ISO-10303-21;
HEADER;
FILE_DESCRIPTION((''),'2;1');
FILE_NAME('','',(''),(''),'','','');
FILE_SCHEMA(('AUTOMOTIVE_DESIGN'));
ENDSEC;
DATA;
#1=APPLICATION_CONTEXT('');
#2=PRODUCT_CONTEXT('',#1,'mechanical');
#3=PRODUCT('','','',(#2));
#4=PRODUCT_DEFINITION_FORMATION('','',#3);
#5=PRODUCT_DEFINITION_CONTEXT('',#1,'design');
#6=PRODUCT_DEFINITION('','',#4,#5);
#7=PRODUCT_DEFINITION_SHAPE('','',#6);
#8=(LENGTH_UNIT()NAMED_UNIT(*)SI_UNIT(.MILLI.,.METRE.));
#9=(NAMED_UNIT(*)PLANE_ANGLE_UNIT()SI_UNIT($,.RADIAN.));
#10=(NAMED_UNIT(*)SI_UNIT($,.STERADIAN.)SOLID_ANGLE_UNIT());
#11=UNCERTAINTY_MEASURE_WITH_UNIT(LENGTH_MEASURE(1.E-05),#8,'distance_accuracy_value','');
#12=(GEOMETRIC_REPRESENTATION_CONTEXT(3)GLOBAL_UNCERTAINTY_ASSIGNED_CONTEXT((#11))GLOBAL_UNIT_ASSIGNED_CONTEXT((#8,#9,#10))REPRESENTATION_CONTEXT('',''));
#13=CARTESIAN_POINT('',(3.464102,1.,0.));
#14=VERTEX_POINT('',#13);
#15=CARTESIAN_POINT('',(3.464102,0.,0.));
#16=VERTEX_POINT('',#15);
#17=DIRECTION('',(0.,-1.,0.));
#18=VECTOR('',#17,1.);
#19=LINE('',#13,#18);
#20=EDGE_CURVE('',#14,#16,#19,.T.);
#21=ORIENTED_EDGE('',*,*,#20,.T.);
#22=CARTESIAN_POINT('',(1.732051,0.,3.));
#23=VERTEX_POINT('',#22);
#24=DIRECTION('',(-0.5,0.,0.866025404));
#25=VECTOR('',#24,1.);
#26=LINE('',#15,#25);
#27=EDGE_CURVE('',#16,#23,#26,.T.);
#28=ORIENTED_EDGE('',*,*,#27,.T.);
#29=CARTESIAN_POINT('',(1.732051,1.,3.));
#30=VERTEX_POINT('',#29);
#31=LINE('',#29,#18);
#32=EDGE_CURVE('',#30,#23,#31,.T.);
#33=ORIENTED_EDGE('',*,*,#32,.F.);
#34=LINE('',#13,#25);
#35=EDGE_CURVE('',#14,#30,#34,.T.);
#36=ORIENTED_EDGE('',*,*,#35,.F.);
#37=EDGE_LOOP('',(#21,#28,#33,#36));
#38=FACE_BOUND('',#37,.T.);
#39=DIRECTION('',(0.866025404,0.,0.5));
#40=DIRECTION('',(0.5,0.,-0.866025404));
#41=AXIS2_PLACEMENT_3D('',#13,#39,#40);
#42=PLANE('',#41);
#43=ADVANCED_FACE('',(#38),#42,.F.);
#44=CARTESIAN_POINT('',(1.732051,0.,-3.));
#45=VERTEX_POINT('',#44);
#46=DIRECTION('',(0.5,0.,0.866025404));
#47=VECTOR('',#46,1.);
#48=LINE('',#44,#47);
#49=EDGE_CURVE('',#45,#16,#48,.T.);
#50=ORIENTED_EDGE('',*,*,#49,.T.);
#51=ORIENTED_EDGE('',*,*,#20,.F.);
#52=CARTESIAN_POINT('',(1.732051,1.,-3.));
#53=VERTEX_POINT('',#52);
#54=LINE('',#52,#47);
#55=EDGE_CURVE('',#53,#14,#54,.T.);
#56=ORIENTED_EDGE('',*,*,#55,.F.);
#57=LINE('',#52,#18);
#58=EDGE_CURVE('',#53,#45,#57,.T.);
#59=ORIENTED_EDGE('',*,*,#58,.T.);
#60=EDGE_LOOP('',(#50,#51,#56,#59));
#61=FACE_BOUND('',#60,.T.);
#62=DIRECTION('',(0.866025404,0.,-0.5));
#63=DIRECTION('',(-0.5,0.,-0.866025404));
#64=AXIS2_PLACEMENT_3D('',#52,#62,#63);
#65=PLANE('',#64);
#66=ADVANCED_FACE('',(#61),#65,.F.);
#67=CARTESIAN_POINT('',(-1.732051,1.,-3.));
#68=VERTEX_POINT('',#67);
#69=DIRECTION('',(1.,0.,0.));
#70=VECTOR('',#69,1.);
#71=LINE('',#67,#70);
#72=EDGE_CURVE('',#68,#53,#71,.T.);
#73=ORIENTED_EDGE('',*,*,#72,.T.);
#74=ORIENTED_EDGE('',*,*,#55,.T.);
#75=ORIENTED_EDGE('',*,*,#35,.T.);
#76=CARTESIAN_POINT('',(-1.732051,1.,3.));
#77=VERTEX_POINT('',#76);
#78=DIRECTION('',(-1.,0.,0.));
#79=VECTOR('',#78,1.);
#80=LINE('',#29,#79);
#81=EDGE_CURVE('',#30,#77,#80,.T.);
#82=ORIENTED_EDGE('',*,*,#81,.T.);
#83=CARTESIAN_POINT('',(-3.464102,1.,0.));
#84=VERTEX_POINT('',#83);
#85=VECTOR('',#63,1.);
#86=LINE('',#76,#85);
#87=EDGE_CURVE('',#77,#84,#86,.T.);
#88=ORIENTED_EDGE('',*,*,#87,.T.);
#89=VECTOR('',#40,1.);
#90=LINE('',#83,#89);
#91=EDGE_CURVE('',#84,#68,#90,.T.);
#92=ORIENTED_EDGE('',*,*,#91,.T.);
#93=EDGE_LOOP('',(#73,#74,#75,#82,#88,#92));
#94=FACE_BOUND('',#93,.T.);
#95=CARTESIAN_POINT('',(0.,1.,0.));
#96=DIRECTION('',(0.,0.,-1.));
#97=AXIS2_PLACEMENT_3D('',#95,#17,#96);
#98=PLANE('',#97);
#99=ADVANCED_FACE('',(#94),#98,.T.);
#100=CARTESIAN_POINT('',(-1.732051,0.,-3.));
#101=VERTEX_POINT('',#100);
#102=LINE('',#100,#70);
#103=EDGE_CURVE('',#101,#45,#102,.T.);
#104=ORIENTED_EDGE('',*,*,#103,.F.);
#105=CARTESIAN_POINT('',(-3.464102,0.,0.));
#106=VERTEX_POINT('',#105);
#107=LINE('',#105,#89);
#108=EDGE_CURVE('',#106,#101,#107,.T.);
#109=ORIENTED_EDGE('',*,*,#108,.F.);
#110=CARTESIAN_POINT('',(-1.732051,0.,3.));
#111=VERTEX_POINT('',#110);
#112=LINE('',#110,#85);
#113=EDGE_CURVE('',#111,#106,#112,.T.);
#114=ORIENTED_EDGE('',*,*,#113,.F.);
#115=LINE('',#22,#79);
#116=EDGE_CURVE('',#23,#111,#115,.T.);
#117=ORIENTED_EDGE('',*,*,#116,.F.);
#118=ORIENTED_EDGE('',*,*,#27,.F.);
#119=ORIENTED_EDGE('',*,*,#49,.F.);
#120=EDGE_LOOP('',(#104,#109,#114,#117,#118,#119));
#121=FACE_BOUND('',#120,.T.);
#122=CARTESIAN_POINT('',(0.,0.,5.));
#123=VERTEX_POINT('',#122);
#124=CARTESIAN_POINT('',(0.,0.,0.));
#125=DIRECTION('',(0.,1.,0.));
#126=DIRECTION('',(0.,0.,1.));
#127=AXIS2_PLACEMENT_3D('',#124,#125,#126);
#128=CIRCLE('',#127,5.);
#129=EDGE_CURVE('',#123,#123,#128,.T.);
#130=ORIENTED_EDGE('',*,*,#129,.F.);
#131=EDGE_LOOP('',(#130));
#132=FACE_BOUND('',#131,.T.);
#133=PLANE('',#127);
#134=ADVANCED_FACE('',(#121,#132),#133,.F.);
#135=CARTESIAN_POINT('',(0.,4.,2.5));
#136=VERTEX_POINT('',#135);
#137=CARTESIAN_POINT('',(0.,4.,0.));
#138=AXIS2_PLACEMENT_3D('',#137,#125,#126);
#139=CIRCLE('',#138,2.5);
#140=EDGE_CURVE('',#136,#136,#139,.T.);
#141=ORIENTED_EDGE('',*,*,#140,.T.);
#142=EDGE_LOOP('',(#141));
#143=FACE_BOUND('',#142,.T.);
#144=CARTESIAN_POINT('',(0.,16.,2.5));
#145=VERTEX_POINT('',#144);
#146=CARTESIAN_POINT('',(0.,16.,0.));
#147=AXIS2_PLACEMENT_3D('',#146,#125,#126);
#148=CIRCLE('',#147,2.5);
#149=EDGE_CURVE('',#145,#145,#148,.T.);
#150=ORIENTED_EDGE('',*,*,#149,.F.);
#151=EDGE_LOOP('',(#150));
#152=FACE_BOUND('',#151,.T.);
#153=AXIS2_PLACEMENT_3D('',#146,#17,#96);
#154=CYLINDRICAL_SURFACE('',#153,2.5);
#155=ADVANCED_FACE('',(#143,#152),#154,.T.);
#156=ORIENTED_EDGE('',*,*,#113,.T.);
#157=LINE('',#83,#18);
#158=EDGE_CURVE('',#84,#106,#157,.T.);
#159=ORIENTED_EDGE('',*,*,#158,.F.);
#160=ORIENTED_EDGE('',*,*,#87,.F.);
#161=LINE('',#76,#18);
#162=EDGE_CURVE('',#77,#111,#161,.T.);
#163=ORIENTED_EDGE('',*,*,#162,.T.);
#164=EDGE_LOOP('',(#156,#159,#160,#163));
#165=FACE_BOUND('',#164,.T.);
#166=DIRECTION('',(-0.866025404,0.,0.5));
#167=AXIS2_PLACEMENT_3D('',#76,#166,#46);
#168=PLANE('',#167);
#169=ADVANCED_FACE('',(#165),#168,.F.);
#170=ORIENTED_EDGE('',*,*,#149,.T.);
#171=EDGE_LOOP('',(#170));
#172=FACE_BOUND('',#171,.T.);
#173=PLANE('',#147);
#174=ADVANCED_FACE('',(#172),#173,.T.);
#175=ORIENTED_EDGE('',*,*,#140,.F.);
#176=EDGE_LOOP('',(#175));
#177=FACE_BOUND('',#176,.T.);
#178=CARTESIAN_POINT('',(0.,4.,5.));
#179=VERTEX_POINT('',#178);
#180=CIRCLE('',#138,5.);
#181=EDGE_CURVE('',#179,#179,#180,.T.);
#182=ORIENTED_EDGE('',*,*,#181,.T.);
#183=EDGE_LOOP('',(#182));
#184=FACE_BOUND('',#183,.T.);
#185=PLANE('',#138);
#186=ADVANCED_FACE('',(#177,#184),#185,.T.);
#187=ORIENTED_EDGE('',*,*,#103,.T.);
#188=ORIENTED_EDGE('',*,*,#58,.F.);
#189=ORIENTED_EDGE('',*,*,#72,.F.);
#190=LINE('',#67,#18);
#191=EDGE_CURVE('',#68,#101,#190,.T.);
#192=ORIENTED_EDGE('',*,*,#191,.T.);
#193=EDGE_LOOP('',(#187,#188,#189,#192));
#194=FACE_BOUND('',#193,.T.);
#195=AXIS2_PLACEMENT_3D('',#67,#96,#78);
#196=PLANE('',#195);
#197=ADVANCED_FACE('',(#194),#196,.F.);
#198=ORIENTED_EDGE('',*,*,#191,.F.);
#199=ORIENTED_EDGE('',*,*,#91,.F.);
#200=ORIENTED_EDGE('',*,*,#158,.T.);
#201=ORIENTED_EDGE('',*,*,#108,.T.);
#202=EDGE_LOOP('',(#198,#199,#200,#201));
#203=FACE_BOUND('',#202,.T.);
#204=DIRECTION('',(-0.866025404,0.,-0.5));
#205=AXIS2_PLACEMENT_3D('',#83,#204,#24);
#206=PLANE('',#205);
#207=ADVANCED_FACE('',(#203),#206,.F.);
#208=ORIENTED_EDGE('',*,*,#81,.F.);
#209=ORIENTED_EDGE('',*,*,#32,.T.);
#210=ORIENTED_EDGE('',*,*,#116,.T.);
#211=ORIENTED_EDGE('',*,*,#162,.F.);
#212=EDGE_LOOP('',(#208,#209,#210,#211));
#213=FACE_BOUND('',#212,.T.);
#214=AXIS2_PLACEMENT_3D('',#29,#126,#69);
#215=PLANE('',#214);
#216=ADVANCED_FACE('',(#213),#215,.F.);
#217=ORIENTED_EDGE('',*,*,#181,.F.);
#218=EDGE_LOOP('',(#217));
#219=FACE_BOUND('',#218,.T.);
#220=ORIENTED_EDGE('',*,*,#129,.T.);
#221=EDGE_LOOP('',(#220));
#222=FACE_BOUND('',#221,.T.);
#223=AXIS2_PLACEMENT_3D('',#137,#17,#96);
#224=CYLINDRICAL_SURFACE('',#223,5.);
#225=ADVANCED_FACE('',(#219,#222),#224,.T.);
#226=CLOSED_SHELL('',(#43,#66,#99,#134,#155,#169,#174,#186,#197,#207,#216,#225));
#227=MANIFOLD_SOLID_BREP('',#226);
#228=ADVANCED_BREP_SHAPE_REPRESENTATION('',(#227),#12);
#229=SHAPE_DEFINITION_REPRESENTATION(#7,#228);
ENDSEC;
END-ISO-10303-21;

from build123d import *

# Parameters (mm, degrees)
SKETCH_1_R          = 5
EXTRUDE_1_DEPTH     = 4
SKETCH_2_R          = 2.5
EXTRUDE_2_DEPTH     = 12
CUT_EXTRUDE_1_DEPTH = 1


with BuildPart() as part:
    # 草图1 → 凸台-拉伸1 (new body)
    with BuildSketch(Plane(origin=(0, 0, 0), x_dir=(1, 0, 0), z_dir=(0, 1, 0))):
        with Locations(Location((0, 0, 0), (0, 0, 270))):
            Circle(SKETCH_1_R)
    extrude(amount=EXTRUDE_1_DEPTH)

    # 草图2 → 凸台-拉伸2 (add)
    with BuildSketch(Plane(origin=(0, 4, 0), x_dir=(1, 0, 0), z_dir=(0, 1, 0))):
        with Locations(Location((0, 0, 0), (0, 0, 270))):
            Circle(SKETCH_2_R)
    extrude(amount=EXTRUDE_2_DEPTH)

    # 草图3 → 切除-拉伸1 (cut)
    with BuildSketch(Plane.XZ):
        Polygon((-3.464101615, 0), (-1.732050808, -3), (1.732050808, -3), (3.464101615, 0), (1.732050808, 3), (-1.732050808, 3), align=None)
    extrude(amount=-CUT_EXTRUDE_1_DEPTH, mode=Mode.SUBTRACT)


solid = part.part
